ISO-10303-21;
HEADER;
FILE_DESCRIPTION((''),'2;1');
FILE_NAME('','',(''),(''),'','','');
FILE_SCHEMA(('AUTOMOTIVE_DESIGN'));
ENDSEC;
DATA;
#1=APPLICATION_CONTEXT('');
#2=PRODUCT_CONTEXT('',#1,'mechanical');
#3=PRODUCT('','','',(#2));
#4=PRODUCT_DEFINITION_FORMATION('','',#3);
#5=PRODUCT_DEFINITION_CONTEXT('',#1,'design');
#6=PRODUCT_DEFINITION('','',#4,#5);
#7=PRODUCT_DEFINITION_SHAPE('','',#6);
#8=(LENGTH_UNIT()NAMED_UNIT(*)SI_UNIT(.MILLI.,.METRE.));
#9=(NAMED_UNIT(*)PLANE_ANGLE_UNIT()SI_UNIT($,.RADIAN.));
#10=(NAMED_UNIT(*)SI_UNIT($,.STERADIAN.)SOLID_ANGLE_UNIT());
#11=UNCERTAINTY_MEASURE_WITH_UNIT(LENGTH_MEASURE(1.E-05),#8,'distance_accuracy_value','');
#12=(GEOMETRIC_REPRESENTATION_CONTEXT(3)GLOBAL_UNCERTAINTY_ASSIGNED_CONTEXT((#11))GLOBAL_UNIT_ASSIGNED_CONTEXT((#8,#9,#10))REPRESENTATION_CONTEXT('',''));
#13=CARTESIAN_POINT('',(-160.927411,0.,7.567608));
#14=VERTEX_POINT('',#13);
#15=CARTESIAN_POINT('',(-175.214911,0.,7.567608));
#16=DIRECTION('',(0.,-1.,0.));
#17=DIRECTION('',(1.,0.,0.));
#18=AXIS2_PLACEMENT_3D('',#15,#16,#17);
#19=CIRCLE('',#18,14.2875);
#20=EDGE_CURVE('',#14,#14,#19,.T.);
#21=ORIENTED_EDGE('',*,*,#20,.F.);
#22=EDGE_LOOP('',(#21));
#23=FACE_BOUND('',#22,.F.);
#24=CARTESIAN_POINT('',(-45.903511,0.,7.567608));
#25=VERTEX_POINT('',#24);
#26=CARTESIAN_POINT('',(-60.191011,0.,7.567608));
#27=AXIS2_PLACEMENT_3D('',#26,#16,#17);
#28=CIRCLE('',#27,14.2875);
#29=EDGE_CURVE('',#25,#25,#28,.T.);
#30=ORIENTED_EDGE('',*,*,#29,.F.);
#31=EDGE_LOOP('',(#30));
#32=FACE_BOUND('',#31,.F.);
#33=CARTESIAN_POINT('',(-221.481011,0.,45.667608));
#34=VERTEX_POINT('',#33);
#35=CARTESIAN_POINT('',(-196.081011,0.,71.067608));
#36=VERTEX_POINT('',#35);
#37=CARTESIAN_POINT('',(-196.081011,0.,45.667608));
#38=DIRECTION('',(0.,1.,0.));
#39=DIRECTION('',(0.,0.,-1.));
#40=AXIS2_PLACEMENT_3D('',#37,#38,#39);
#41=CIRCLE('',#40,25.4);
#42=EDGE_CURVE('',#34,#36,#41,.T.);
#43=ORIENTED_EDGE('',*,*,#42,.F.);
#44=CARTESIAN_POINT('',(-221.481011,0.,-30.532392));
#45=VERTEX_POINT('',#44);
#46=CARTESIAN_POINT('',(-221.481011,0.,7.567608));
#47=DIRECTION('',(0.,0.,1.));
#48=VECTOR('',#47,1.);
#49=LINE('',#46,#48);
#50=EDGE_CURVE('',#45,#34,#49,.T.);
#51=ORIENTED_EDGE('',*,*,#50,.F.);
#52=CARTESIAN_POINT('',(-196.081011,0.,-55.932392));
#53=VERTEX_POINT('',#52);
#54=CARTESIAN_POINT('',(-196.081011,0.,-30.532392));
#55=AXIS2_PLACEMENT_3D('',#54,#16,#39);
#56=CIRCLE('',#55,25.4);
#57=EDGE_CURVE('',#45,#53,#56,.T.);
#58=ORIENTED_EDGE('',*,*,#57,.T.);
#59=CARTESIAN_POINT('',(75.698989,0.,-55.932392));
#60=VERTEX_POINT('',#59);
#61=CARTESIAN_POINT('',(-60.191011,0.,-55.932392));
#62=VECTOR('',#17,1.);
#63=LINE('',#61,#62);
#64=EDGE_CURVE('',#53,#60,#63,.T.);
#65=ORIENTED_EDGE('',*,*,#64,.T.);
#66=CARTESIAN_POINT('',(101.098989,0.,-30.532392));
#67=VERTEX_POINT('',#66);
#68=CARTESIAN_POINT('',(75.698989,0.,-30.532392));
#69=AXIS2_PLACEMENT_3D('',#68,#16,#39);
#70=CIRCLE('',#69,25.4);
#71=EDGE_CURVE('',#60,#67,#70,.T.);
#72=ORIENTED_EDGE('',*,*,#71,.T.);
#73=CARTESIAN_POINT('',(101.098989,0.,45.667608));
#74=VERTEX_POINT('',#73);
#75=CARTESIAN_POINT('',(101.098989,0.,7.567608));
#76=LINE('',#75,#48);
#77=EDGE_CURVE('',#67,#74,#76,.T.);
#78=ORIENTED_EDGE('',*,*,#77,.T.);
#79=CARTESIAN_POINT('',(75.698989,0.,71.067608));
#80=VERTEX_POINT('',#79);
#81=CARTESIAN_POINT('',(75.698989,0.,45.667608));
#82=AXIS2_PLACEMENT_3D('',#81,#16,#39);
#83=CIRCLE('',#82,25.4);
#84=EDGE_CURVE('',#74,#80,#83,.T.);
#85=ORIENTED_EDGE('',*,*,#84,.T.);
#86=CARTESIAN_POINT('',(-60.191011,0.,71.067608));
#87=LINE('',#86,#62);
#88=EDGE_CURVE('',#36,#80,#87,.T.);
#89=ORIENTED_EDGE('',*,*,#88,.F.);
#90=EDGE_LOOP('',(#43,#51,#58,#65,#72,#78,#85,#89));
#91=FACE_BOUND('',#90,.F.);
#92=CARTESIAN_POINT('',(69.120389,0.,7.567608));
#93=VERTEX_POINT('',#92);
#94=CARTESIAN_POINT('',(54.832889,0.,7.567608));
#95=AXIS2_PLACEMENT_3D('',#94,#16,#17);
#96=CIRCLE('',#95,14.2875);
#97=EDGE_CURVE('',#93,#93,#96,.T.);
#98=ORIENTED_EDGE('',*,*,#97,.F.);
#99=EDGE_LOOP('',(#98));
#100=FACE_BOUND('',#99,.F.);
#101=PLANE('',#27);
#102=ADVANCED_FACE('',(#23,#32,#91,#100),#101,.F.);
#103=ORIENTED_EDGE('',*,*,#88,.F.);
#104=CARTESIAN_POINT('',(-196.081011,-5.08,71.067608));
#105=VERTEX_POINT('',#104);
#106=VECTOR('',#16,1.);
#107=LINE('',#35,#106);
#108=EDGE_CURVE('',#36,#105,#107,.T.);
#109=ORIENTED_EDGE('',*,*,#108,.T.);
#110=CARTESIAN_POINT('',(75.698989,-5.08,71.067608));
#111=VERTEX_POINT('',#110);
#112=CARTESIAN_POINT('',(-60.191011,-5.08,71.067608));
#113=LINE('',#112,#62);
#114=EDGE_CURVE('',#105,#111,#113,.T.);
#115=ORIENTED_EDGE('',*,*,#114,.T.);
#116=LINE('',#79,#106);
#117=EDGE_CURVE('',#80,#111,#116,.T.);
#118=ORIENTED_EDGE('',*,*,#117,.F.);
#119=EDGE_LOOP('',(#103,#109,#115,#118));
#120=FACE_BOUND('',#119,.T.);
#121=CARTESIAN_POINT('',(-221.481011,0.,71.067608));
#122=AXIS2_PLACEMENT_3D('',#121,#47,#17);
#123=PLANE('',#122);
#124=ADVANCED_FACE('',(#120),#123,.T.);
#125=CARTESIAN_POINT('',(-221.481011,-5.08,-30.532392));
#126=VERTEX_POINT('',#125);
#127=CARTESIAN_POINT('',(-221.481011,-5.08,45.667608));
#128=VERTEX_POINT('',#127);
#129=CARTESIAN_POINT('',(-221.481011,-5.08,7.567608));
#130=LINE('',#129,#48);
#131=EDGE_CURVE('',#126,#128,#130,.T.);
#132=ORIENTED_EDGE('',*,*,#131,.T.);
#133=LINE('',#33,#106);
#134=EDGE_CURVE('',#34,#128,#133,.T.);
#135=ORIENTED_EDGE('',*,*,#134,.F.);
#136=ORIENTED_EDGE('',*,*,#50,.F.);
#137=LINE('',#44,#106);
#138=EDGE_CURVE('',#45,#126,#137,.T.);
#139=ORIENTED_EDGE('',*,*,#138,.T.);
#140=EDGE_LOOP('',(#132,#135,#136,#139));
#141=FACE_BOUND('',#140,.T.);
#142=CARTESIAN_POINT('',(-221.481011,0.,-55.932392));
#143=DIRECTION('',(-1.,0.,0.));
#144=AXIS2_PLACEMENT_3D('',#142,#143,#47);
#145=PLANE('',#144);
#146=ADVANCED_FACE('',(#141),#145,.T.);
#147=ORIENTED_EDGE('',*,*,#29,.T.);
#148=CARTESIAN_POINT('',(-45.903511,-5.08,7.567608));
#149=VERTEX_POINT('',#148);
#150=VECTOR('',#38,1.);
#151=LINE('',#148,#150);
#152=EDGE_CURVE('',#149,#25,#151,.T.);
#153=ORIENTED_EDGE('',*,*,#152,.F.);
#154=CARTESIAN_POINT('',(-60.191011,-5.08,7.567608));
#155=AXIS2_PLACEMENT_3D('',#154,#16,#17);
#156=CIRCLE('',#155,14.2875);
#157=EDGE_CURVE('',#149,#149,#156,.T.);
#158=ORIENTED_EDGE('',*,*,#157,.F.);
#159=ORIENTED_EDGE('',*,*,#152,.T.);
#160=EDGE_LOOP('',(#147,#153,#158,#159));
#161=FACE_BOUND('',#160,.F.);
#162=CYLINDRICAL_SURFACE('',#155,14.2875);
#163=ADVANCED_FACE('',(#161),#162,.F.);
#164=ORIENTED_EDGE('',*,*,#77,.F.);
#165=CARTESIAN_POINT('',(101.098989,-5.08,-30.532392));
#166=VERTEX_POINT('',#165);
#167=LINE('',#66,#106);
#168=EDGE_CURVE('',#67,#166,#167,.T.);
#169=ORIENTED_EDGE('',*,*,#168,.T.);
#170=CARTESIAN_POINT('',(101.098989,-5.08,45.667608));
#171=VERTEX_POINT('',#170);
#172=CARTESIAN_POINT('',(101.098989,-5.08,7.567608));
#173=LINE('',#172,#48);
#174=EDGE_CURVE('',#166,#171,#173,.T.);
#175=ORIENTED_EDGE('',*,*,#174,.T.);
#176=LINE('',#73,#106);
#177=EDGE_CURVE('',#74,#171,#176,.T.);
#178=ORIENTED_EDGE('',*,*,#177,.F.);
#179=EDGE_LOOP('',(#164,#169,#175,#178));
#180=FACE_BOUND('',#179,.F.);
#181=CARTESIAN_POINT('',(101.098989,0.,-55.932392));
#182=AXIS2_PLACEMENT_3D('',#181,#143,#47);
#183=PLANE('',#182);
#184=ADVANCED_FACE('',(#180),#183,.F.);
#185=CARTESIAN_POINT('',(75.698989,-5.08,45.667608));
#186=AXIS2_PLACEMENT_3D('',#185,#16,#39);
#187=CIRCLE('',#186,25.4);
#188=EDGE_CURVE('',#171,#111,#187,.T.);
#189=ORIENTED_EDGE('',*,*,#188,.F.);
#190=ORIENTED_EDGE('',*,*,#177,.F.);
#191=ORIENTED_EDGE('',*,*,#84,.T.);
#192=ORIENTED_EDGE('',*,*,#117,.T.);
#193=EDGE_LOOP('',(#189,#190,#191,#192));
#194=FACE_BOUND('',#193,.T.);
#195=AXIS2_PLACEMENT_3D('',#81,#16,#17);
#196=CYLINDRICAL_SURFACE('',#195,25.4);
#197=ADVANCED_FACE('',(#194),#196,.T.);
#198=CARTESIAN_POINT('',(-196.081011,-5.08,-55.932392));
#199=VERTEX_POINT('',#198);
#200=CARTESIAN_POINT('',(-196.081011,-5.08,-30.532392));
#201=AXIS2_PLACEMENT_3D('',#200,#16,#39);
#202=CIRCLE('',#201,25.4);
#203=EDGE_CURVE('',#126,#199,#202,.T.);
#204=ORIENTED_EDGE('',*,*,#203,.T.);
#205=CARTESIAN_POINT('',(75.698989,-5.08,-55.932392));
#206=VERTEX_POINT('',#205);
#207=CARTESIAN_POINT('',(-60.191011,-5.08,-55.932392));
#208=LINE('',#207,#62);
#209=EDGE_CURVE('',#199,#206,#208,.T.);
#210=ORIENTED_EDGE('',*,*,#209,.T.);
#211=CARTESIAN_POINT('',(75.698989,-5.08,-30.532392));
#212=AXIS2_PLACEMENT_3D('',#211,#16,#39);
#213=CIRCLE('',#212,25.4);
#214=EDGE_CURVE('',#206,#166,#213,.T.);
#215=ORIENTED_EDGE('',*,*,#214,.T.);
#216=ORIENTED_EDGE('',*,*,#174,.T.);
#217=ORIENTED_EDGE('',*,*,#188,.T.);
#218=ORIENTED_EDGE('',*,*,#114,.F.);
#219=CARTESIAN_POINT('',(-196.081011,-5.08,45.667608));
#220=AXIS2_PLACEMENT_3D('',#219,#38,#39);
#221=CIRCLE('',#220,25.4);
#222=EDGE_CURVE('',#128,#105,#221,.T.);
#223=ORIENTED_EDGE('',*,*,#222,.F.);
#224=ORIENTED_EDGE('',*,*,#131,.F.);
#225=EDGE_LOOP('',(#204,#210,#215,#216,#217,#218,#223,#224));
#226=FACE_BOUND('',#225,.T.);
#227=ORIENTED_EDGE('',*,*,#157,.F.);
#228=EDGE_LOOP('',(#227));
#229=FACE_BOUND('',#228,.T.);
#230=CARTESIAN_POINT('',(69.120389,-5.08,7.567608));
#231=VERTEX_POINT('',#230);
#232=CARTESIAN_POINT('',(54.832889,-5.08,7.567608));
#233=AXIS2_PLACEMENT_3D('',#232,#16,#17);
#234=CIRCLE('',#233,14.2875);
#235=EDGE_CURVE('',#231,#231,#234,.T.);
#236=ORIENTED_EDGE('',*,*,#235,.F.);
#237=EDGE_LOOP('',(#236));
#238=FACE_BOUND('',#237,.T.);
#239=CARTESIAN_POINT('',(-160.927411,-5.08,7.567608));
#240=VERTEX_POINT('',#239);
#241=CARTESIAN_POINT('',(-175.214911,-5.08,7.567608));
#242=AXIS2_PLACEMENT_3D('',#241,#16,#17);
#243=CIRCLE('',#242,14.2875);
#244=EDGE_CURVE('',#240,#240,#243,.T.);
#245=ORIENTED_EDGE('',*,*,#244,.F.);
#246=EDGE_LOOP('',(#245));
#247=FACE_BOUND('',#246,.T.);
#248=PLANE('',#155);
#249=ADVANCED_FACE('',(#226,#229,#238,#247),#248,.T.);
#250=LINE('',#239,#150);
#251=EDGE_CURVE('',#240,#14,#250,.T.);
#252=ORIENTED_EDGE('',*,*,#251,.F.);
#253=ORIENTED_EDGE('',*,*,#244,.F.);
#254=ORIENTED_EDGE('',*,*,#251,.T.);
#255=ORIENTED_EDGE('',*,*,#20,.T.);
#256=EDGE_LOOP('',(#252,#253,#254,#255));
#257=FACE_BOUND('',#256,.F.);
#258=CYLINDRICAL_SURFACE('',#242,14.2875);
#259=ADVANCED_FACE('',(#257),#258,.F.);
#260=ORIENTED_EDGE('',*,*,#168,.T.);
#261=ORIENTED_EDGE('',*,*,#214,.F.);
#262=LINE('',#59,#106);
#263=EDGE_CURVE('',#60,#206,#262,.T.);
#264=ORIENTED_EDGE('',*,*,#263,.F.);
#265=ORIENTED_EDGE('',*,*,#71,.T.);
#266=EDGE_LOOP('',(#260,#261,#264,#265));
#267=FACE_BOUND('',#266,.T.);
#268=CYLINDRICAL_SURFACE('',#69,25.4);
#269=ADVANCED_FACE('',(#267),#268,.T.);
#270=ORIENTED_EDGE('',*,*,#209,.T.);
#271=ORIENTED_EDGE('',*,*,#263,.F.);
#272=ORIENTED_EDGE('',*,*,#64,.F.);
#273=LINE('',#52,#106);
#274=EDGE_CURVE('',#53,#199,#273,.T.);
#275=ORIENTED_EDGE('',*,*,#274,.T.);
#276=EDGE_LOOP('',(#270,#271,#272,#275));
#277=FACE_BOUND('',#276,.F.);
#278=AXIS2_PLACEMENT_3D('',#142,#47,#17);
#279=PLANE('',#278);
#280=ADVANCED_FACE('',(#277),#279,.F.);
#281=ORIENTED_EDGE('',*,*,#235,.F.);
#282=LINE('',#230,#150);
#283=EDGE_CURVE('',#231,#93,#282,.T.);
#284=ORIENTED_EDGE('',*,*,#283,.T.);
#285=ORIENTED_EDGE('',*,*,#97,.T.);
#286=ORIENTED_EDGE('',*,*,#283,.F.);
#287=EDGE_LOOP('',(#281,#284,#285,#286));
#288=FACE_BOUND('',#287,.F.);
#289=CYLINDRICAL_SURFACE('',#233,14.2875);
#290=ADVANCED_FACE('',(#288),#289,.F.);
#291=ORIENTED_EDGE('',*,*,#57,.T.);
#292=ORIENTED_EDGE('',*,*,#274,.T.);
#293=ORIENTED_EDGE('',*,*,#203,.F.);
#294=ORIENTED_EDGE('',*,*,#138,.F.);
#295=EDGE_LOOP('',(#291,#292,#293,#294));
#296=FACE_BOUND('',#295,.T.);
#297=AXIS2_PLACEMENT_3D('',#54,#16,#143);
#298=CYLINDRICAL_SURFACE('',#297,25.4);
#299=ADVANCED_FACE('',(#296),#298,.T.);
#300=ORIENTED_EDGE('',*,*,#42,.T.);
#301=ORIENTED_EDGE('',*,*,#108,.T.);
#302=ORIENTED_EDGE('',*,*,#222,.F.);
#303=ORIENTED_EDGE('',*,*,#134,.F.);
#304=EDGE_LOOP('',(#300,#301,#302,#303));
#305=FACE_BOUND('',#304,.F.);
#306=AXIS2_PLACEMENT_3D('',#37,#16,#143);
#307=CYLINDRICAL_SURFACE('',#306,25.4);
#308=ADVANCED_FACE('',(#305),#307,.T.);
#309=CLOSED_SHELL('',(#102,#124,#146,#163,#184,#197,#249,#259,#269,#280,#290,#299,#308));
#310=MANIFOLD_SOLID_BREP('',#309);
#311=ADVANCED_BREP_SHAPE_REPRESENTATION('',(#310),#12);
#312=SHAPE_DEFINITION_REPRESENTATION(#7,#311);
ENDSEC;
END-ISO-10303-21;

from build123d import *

# Parameters (mm, degrees)
F0_W     = 322.58
F0_H     = 127
F1_DEPTH = 5.08
F2_R     = 25.4
F3_R     = 14.2875
F4_DEPTH = 25.4


with BuildPart() as f1:
    # F0 (on Front) → F1 (new body)
    with BuildSketch(Plane.XZ):
        with Locations((-60.191011, 7.567608)):
            Rectangle(F0_W, F0_H)
    extrude(amount=F1_DEPTH)

    # F2
    f2_edges = [f1.edges().sort_by_distance(p)[0] for p in [
        (101.098989, -2.54, 71.067608),
        (101.098989, -2.54, -55.932392),
        (-221.481011, -2.54, 71.067608),
        (-221.481011, -2.54, -55.932392),
    ]]
    fillet(f2_edges, radius=F2_R)

    # F3 (on face) → F4 (cut)
    with BuildSketch(Plane.XZ.offset(5.08)):
        with Locations((-60.191011, 7.567608)):
            Circle(F3_R)
        with Locations((54.832889, 7.567608)):
            Circle(F3_R)
        with Locations((-175.214911, 7.567608)):
            Circle(F3_R)
    extrude(amount=-F4_DEPTH, mode=Mode.SUBTRACT)


solid = f1.part
